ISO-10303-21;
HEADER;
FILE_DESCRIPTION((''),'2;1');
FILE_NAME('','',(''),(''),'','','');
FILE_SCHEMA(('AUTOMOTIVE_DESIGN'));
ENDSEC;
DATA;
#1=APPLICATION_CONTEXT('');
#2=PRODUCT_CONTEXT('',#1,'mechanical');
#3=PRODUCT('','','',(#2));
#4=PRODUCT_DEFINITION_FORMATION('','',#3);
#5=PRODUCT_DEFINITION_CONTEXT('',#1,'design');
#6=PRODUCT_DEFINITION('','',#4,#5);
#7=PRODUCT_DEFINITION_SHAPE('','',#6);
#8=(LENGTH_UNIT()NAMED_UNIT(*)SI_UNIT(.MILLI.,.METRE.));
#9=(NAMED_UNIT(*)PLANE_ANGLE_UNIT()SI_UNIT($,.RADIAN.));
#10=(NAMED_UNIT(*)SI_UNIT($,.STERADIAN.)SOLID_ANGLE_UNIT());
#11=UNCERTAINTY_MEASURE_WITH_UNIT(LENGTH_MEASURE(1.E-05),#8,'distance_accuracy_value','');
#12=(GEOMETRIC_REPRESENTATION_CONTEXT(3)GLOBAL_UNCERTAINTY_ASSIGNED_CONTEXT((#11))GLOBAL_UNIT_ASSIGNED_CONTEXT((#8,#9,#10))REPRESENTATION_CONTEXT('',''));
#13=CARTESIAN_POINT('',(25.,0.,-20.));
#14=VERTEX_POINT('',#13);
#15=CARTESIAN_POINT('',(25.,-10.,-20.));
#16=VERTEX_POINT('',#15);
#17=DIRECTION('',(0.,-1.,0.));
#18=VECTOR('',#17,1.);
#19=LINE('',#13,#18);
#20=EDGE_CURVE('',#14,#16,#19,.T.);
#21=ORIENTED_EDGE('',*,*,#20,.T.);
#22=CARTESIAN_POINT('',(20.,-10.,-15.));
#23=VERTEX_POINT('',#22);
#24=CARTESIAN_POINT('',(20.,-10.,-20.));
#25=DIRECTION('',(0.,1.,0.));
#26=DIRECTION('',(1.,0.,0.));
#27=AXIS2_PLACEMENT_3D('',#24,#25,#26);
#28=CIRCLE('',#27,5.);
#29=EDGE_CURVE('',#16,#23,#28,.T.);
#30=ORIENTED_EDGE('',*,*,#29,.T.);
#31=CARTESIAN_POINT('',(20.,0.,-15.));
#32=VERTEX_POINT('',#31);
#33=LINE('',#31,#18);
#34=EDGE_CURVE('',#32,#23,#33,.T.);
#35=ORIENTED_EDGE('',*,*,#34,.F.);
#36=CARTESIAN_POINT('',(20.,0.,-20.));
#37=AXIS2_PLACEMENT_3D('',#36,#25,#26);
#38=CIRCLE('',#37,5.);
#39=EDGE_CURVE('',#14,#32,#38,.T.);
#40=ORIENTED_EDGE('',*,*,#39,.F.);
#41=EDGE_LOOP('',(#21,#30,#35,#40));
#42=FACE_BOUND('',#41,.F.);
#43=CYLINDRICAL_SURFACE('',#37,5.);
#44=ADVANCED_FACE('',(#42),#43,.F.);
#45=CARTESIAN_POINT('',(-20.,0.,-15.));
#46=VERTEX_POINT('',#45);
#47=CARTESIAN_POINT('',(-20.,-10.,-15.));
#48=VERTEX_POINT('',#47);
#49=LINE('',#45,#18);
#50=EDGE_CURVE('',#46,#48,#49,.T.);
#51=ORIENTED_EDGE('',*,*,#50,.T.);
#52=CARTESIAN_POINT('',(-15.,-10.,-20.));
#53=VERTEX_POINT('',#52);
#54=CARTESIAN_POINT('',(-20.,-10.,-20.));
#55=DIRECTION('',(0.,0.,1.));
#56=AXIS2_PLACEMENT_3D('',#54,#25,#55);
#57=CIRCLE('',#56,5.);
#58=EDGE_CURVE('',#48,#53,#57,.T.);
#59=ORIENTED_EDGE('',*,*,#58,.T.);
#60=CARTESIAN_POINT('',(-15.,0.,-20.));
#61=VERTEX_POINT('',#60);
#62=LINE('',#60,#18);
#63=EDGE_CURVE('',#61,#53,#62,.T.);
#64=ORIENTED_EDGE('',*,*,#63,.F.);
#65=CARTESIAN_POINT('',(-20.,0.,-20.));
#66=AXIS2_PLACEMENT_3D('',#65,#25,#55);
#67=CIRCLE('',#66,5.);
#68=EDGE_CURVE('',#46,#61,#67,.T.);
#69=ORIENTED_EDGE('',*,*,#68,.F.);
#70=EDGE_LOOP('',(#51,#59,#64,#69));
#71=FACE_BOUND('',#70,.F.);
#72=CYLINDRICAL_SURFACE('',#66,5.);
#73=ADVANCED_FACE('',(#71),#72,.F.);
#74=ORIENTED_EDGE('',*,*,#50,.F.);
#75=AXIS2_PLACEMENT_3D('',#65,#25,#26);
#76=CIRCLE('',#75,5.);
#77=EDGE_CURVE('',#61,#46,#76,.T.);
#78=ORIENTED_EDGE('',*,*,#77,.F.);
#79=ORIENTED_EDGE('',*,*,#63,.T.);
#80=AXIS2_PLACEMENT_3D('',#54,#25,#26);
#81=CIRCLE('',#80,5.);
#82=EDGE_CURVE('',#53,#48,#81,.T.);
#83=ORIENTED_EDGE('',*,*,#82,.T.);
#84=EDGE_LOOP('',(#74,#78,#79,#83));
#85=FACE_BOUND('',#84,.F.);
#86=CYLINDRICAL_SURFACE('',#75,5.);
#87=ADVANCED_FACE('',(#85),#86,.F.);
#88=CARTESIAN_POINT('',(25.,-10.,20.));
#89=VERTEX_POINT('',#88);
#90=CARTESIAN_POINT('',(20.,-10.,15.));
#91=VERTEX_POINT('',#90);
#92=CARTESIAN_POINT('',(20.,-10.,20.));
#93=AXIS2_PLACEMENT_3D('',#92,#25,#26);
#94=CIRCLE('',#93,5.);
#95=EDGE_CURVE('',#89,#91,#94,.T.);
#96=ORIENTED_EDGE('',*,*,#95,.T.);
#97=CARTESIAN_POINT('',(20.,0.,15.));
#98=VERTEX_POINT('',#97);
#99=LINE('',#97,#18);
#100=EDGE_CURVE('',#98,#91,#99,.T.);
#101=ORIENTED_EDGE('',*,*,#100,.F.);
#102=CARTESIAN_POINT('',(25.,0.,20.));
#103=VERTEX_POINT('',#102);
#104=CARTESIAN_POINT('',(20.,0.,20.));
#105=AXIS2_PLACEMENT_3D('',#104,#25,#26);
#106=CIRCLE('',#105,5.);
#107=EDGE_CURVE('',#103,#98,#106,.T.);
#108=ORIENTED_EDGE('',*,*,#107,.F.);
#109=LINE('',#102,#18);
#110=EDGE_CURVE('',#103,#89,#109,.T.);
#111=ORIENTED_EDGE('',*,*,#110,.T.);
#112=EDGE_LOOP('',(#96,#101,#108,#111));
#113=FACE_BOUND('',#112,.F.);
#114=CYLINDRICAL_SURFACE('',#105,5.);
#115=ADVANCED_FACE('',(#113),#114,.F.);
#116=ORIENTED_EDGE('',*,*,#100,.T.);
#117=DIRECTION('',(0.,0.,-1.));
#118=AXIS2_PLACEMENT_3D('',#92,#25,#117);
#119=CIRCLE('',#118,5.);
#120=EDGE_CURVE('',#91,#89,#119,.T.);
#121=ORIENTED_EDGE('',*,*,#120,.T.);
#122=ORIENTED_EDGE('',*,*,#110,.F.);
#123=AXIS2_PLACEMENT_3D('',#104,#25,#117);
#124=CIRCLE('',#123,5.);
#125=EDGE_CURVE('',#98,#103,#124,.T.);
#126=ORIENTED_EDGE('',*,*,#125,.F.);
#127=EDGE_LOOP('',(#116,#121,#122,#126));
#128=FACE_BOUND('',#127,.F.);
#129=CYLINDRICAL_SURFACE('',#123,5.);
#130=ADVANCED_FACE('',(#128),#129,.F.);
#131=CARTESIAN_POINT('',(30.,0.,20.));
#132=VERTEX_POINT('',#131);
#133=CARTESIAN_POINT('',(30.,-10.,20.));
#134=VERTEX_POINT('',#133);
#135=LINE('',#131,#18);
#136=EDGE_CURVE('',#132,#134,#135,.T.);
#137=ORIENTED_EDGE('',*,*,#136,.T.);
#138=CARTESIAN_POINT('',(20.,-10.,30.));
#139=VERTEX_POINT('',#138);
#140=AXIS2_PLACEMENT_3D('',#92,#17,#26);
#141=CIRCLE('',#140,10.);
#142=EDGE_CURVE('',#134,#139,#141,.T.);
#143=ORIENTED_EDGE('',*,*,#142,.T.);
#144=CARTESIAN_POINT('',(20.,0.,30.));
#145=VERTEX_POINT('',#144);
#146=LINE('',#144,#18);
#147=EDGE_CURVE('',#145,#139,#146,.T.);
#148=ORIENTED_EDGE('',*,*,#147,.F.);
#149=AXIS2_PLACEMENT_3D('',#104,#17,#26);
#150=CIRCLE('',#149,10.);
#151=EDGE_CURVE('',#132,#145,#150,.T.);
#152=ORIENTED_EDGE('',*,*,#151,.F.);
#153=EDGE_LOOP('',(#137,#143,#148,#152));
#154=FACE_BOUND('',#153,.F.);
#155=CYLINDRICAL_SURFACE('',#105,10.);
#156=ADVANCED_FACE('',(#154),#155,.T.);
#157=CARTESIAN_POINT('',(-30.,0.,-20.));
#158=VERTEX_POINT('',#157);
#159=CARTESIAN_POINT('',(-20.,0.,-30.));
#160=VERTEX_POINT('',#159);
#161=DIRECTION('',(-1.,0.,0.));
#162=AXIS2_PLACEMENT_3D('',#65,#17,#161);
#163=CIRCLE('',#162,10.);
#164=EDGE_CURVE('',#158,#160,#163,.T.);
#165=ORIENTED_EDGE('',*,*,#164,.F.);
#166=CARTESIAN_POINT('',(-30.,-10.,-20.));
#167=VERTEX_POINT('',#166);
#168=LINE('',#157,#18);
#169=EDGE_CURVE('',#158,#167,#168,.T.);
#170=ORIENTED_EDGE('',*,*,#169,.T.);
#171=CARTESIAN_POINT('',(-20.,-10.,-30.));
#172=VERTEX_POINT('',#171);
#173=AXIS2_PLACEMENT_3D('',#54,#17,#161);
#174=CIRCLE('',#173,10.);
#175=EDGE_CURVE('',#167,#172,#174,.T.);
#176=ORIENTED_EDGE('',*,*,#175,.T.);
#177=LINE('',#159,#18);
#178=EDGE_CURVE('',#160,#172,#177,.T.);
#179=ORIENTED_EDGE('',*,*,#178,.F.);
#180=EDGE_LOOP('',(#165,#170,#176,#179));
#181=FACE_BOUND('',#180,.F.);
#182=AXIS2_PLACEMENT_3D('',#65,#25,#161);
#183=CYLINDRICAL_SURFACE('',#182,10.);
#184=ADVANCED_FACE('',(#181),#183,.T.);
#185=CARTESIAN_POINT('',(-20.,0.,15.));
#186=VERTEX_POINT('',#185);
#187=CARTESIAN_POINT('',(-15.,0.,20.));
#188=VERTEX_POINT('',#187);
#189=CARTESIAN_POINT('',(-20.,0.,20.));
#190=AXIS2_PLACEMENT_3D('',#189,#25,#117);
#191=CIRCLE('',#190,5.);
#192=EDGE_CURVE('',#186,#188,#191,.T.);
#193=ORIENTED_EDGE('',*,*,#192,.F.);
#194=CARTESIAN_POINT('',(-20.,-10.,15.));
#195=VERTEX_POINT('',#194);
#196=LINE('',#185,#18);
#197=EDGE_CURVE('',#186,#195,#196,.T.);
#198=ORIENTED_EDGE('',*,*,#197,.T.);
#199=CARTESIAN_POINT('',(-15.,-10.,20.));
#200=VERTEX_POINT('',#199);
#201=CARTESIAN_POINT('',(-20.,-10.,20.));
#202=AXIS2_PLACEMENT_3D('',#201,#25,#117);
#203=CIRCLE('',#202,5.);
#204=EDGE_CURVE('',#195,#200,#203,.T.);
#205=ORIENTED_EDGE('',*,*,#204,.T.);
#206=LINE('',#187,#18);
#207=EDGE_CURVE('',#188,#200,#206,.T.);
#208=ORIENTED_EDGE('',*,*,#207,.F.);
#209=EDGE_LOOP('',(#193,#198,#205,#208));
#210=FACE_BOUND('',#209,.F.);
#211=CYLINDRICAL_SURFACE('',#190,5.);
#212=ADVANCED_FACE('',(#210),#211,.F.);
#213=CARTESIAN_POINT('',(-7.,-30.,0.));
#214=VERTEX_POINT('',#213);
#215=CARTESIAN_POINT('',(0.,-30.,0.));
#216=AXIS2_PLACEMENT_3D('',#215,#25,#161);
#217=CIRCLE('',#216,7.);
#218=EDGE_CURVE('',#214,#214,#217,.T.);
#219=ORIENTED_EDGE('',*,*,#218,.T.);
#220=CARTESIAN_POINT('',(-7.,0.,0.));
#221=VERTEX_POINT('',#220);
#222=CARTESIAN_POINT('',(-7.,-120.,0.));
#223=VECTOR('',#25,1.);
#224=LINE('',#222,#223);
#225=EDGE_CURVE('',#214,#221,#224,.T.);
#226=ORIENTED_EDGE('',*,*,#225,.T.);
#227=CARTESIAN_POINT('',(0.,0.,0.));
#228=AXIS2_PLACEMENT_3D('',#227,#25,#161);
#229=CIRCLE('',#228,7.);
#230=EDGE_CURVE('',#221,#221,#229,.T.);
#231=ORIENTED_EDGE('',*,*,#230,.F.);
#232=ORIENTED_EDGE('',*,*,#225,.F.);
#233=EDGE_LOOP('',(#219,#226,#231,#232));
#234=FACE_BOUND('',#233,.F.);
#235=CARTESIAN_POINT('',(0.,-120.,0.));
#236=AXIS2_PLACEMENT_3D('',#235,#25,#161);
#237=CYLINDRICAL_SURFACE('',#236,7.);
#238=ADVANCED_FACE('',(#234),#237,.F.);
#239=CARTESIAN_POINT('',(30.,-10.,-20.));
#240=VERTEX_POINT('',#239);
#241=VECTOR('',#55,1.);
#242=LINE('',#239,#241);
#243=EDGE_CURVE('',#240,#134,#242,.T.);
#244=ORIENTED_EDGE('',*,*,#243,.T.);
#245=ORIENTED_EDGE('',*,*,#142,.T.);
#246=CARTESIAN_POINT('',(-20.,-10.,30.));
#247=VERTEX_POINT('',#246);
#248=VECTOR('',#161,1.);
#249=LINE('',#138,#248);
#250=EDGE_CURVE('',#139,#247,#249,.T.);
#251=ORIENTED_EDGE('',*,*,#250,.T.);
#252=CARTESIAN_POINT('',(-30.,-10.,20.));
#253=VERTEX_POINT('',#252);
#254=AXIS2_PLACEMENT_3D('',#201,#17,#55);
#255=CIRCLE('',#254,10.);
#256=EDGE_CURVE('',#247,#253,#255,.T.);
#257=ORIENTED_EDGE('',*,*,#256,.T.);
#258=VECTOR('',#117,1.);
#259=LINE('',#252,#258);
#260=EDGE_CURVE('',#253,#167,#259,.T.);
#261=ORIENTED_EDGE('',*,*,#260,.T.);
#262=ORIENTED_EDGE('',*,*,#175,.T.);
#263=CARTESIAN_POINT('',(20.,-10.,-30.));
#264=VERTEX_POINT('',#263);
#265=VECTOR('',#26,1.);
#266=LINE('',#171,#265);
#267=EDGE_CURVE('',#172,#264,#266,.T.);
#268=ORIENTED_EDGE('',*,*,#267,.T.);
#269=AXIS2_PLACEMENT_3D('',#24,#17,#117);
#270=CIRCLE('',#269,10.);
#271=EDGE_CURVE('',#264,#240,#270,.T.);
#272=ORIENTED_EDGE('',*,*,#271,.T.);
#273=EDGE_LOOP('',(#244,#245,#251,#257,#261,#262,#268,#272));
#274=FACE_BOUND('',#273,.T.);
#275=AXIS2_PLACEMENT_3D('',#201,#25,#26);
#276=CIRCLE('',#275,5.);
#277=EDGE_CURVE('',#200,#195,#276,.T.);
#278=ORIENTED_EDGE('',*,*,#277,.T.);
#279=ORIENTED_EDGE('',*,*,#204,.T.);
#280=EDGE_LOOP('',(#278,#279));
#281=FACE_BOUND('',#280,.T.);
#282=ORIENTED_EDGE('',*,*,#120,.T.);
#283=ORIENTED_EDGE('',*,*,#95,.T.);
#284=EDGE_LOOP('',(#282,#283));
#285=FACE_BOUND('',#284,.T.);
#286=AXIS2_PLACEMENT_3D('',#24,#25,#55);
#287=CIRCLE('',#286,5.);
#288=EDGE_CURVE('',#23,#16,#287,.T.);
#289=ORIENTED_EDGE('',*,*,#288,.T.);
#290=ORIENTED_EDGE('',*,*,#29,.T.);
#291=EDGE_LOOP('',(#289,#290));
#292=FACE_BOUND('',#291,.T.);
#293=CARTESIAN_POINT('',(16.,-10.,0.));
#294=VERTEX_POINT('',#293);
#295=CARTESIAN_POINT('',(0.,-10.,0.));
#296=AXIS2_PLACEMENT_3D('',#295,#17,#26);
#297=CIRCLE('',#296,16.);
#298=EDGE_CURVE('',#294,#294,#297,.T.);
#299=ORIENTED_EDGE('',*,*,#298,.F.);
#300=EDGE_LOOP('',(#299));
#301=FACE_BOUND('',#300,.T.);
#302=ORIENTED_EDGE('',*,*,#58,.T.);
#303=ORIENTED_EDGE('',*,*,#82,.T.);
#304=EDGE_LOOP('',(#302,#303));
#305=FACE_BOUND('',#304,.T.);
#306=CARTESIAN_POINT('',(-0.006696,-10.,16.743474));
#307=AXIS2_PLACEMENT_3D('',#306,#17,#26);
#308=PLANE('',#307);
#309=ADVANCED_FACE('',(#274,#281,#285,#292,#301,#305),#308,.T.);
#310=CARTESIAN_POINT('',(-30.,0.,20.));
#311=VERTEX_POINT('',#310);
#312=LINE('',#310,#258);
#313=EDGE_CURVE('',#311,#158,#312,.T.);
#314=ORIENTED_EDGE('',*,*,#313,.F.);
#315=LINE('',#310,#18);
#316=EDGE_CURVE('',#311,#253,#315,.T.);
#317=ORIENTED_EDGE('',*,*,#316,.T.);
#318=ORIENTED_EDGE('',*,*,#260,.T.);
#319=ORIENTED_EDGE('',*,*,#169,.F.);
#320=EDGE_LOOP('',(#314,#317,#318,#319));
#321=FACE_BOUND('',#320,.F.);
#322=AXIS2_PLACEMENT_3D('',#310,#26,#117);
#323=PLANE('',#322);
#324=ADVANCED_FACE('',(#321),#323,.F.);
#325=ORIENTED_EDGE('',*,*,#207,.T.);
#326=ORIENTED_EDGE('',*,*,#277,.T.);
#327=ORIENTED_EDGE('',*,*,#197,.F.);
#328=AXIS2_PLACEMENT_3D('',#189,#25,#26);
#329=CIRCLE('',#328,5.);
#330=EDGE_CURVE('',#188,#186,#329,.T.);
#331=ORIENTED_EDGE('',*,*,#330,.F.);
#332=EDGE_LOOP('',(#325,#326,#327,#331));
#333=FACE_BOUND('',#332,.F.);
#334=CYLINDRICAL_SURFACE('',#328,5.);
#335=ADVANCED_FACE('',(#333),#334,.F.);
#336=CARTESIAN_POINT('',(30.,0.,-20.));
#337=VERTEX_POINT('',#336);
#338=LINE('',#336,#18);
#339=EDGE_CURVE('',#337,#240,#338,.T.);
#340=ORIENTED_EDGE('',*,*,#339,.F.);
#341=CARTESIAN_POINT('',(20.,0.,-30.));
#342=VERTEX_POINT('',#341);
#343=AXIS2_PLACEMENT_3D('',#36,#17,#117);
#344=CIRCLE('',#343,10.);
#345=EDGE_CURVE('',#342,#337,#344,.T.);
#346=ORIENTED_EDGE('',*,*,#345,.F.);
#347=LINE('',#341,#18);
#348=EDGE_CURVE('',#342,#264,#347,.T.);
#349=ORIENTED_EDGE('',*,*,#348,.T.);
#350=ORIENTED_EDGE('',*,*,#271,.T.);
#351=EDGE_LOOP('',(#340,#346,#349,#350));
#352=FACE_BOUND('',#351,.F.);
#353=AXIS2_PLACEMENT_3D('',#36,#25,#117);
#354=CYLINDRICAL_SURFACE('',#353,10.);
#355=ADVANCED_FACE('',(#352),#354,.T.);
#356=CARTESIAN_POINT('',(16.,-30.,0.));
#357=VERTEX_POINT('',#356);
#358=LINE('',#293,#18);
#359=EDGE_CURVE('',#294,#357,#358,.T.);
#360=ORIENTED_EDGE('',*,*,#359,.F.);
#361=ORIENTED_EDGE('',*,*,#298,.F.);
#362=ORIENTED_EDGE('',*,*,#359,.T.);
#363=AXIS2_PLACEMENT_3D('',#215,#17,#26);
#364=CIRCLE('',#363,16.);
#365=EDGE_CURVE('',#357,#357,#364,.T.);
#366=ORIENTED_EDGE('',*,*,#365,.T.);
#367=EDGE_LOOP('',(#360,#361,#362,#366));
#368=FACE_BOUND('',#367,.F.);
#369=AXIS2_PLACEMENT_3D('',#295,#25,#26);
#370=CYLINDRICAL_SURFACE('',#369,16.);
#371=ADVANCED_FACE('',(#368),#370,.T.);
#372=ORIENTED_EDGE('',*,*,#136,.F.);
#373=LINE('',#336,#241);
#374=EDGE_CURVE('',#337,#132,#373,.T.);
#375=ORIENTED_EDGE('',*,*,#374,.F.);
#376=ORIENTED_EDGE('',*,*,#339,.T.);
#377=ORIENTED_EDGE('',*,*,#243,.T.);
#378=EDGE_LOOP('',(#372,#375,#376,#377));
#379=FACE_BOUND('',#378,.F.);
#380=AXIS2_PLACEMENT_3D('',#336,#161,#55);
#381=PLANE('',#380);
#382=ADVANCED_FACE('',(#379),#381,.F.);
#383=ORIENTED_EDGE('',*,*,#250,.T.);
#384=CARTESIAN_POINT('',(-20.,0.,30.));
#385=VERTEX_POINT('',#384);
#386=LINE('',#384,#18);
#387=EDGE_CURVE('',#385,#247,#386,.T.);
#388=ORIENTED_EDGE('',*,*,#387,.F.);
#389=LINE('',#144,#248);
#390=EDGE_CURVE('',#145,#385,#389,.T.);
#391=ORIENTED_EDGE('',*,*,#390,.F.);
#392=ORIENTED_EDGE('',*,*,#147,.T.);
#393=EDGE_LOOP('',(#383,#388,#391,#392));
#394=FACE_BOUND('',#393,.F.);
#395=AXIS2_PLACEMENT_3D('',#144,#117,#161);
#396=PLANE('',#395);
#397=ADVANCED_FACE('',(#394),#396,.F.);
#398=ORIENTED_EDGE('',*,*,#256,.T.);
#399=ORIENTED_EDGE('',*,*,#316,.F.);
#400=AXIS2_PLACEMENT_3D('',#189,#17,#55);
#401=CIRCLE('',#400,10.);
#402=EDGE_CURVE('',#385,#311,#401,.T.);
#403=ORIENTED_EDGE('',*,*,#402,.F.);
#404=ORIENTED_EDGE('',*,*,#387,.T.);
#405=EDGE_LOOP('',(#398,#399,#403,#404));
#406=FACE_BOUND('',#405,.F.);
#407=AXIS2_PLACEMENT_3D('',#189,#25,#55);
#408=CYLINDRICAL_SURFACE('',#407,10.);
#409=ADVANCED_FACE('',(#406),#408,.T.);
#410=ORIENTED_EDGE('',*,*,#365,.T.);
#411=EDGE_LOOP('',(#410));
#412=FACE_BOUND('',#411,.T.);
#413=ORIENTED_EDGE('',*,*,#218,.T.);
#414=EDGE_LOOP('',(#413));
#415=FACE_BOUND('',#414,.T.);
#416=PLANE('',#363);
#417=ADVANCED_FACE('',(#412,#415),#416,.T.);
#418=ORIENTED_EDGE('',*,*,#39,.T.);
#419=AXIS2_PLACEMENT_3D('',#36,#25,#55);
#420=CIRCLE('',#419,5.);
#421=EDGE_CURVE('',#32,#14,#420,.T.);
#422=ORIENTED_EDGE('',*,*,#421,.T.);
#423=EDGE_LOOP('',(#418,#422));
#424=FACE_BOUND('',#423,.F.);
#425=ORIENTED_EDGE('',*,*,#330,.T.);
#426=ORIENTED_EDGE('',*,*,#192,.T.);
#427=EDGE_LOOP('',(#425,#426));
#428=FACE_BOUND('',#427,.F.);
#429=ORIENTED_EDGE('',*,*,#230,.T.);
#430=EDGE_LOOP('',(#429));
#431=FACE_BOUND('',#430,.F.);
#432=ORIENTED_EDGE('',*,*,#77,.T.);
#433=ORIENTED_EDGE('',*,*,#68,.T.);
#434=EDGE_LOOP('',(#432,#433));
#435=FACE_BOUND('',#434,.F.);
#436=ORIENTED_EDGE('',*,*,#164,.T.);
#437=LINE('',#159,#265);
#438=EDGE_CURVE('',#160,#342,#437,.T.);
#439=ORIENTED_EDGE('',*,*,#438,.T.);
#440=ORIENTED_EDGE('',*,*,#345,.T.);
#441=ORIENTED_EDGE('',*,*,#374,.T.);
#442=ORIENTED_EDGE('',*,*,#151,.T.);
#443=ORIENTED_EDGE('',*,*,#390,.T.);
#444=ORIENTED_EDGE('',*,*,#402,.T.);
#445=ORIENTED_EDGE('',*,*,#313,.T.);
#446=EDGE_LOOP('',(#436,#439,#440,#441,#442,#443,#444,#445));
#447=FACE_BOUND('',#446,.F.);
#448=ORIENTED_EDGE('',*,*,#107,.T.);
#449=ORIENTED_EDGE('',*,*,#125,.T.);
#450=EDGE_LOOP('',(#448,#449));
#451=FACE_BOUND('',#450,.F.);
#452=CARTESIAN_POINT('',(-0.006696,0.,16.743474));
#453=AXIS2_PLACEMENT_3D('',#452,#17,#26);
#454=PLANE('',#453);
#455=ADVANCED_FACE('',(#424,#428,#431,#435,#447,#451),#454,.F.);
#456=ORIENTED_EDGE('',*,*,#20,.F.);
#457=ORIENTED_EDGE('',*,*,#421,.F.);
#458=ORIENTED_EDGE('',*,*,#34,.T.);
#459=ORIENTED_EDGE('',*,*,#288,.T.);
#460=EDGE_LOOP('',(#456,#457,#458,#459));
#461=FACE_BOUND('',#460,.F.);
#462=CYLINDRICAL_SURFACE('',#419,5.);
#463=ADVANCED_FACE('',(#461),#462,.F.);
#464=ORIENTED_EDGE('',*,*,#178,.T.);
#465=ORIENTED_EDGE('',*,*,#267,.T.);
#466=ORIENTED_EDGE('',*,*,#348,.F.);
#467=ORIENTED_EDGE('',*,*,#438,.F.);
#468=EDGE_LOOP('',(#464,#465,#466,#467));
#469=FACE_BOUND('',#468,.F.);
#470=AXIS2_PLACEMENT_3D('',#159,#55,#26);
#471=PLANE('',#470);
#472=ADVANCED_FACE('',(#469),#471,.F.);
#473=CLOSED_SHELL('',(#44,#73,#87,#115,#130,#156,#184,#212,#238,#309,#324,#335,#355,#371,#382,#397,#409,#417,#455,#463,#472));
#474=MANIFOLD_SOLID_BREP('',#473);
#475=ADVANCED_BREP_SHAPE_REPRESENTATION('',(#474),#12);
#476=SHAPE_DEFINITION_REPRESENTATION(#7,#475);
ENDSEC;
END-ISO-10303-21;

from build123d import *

# Parameters (mm, degrees)
F1_DEPTH = 10
F2_R     = 16
F3_DEPTH = 20
F5_D     = 14


with BuildPart() as f1:
    # F0 (on Front) → F1 (new body)
    with BuildSketch(Plane.XZ):
        with BuildLine():
            ThreePointArc((-16, 0), (0, 16), (16, 0))
            Line((16, 0), (20, 0))
            Line((20, 0), (20, 10))
            ThreePointArc((20, 10), (10, 20), (20, 30))
            Line((20, 30), (-20, 30))
            ThreePointArc((-20, 30), (-12.9289321881, 27.0710678119), (-10, 20))
            ThreePointArc((-10, 20), (-12.9289321881, 12.9289321881), (-20, 10))
            Line((-20, 10), (-20, 0))
            Line((-20, 0), (-16, 0))
        make_face()
        with BuildLine():
            Line((20, 0), (16, 0))
            ThreePointArc((16, 0), (0, -16), (-16, 0))
            Line((-16, 0), (-20, 0))
            Line((-20, 0), (-20, -10))
            ThreePointArc((-20, -10), (-12.9289321881, -12.9289321881), (-10, -20))
            ThreePointArc((-10, -20), (-12.9289321881, -27.0710678119), (-20, -30))
            Line((-20, -30), (20, -30))
            ThreePointArc((20, -30), (10, -20), (20, -10))
            Line((20, -10), (20, 0))
        make_face()
        with BuildLine():
            Line((20, 10), (20, 0))
            Line((20, 0), (20, -10))
            ThreePointArc((20, -10), (27.0710678119, -12.9289321881), (30, -20))
            Line((30, -20), (30, 20))
            ThreePointArc((30, 20), (27.0710678119, 12.9289321881), (20, 10))
        make_face()
        with BuildLine():
            ThreePointArc((20, 30), (10, 20), (20, 10))
            ThreePointArc((20, 10), (27.0710678119, 12.9289321881), (30, 20))
            ThreePointArc((30, 20), (27.0710678119, 27.0710678119), (20, 30))
        make_face()
        with BuildLine():
            ThreePointArc((25, 20), (23.5355339059, 16.4644660941), (20, 15))
            ThreePointArc((20, 15), (16.4644660941, 23.5355339059), (25, 20))
        make_face(mode=Mode.SUBTRACT)
        with BuildLine():
            ThreePointArc((-30, 20), (-27.0710678119, 12.9289321881), (-20, 10))
            ThreePointArc((-20, 10), (-12.9289321881, 12.9289321881), (-10, 20))
            ThreePointArc((-10, 20), (-12.9289321881, 27.0710678119), (-20, 30))
            ThreePointArc((-20, 30), (-27.0710678119, 27.0710678119), (-30, 20))
        make_face()
        with BuildLine():
            ThreePointArc((-15, 20), (-16.4644660941, 16.4644660941), (-20, 15))
            ThreePointArc((-20, 15), (-23.5355339059, 23.5355339059), (-15, 20))
        make_face(mode=Mode.SUBTRACT)
        with BuildLine():
            Line((-20, -10), (-20, 0))
            Line((-20, 0), (-20, 10))
            ThreePointArc((-20, 10), (-27.0710678119, 12.9289321881), (-30, 20))
            Line((-30, 20), (-30, -20))
            ThreePointArc((-30, -20), (-27.0710678119, -12.9289321881), (-20, -10))
        make_face()
        with BuildLine():
            ThreePointArc((-10, -20), (-12.9289321881, -12.9289321881), (-20, -10))
            ThreePointArc((-20, -10), (-27.0710678119, -12.9289321881), (-30, -20))
            ThreePointArc((-30, -20), (-27.0710678119, -27.0710678119), (-20, -30))
            ThreePointArc((-20, -30), (-12.9289321881, -27.0710678119), (-10, -20))
        make_face()
        with BuildLine():
            ThreePointArc((-15, -20), (-23.5355339059, -23.5355339059), (-20, -15))
            ThreePointArc((-20, -15), (-16.4644660941, -16.4644660941), (-15, -20))
        make_face(mode=Mode.SUBTRACT)
        with BuildLine():
            ThreePointArc((30, -20), (27.0710678119, -12.9289321881), (20, -10))
            ThreePointArc((20, -10), (10, -20), (20, -30))
            ThreePointArc((20, -30), (27.0710678119, -27.0710678119), (30, -20))
        make_face()
        with BuildLine():
            ThreePointArc((25, -20), (16.4644660941, -23.5355339059), (20, -15))
            ThreePointArc((20, -15), (23.5355339059, -16.4644660941), (25, -20))
        make_face(mode=Mode.SUBTRACT)
        with BuildLine():
            Line((0, 0), (16, 0))
            ThreePointArc((16, 0), (0, 16), (-16, 0))
            Line((-16, 0), (0, 0))
        make_face()
        with BuildLine():
            ThreePointArc((-16, 0), (0, -16), (16, 0))
            Line((16, 0), (0, 0))
            Line((0, 0), (-16, 0))
        make_face()
    extrude(amount=F1_DEPTH)

    # F2 (on face) → F3 (join)
    with BuildSketch(Plane.XZ.offset(10)):
        Circle(F2_R)
    extrude(amount=F3_DEPTH)

    # F5 (through all)
    with Locations(Plane.XZ.offset(30)):
        with Locations((0, 0)):
            Hole(F5_D / 2)


solid = f1.part
